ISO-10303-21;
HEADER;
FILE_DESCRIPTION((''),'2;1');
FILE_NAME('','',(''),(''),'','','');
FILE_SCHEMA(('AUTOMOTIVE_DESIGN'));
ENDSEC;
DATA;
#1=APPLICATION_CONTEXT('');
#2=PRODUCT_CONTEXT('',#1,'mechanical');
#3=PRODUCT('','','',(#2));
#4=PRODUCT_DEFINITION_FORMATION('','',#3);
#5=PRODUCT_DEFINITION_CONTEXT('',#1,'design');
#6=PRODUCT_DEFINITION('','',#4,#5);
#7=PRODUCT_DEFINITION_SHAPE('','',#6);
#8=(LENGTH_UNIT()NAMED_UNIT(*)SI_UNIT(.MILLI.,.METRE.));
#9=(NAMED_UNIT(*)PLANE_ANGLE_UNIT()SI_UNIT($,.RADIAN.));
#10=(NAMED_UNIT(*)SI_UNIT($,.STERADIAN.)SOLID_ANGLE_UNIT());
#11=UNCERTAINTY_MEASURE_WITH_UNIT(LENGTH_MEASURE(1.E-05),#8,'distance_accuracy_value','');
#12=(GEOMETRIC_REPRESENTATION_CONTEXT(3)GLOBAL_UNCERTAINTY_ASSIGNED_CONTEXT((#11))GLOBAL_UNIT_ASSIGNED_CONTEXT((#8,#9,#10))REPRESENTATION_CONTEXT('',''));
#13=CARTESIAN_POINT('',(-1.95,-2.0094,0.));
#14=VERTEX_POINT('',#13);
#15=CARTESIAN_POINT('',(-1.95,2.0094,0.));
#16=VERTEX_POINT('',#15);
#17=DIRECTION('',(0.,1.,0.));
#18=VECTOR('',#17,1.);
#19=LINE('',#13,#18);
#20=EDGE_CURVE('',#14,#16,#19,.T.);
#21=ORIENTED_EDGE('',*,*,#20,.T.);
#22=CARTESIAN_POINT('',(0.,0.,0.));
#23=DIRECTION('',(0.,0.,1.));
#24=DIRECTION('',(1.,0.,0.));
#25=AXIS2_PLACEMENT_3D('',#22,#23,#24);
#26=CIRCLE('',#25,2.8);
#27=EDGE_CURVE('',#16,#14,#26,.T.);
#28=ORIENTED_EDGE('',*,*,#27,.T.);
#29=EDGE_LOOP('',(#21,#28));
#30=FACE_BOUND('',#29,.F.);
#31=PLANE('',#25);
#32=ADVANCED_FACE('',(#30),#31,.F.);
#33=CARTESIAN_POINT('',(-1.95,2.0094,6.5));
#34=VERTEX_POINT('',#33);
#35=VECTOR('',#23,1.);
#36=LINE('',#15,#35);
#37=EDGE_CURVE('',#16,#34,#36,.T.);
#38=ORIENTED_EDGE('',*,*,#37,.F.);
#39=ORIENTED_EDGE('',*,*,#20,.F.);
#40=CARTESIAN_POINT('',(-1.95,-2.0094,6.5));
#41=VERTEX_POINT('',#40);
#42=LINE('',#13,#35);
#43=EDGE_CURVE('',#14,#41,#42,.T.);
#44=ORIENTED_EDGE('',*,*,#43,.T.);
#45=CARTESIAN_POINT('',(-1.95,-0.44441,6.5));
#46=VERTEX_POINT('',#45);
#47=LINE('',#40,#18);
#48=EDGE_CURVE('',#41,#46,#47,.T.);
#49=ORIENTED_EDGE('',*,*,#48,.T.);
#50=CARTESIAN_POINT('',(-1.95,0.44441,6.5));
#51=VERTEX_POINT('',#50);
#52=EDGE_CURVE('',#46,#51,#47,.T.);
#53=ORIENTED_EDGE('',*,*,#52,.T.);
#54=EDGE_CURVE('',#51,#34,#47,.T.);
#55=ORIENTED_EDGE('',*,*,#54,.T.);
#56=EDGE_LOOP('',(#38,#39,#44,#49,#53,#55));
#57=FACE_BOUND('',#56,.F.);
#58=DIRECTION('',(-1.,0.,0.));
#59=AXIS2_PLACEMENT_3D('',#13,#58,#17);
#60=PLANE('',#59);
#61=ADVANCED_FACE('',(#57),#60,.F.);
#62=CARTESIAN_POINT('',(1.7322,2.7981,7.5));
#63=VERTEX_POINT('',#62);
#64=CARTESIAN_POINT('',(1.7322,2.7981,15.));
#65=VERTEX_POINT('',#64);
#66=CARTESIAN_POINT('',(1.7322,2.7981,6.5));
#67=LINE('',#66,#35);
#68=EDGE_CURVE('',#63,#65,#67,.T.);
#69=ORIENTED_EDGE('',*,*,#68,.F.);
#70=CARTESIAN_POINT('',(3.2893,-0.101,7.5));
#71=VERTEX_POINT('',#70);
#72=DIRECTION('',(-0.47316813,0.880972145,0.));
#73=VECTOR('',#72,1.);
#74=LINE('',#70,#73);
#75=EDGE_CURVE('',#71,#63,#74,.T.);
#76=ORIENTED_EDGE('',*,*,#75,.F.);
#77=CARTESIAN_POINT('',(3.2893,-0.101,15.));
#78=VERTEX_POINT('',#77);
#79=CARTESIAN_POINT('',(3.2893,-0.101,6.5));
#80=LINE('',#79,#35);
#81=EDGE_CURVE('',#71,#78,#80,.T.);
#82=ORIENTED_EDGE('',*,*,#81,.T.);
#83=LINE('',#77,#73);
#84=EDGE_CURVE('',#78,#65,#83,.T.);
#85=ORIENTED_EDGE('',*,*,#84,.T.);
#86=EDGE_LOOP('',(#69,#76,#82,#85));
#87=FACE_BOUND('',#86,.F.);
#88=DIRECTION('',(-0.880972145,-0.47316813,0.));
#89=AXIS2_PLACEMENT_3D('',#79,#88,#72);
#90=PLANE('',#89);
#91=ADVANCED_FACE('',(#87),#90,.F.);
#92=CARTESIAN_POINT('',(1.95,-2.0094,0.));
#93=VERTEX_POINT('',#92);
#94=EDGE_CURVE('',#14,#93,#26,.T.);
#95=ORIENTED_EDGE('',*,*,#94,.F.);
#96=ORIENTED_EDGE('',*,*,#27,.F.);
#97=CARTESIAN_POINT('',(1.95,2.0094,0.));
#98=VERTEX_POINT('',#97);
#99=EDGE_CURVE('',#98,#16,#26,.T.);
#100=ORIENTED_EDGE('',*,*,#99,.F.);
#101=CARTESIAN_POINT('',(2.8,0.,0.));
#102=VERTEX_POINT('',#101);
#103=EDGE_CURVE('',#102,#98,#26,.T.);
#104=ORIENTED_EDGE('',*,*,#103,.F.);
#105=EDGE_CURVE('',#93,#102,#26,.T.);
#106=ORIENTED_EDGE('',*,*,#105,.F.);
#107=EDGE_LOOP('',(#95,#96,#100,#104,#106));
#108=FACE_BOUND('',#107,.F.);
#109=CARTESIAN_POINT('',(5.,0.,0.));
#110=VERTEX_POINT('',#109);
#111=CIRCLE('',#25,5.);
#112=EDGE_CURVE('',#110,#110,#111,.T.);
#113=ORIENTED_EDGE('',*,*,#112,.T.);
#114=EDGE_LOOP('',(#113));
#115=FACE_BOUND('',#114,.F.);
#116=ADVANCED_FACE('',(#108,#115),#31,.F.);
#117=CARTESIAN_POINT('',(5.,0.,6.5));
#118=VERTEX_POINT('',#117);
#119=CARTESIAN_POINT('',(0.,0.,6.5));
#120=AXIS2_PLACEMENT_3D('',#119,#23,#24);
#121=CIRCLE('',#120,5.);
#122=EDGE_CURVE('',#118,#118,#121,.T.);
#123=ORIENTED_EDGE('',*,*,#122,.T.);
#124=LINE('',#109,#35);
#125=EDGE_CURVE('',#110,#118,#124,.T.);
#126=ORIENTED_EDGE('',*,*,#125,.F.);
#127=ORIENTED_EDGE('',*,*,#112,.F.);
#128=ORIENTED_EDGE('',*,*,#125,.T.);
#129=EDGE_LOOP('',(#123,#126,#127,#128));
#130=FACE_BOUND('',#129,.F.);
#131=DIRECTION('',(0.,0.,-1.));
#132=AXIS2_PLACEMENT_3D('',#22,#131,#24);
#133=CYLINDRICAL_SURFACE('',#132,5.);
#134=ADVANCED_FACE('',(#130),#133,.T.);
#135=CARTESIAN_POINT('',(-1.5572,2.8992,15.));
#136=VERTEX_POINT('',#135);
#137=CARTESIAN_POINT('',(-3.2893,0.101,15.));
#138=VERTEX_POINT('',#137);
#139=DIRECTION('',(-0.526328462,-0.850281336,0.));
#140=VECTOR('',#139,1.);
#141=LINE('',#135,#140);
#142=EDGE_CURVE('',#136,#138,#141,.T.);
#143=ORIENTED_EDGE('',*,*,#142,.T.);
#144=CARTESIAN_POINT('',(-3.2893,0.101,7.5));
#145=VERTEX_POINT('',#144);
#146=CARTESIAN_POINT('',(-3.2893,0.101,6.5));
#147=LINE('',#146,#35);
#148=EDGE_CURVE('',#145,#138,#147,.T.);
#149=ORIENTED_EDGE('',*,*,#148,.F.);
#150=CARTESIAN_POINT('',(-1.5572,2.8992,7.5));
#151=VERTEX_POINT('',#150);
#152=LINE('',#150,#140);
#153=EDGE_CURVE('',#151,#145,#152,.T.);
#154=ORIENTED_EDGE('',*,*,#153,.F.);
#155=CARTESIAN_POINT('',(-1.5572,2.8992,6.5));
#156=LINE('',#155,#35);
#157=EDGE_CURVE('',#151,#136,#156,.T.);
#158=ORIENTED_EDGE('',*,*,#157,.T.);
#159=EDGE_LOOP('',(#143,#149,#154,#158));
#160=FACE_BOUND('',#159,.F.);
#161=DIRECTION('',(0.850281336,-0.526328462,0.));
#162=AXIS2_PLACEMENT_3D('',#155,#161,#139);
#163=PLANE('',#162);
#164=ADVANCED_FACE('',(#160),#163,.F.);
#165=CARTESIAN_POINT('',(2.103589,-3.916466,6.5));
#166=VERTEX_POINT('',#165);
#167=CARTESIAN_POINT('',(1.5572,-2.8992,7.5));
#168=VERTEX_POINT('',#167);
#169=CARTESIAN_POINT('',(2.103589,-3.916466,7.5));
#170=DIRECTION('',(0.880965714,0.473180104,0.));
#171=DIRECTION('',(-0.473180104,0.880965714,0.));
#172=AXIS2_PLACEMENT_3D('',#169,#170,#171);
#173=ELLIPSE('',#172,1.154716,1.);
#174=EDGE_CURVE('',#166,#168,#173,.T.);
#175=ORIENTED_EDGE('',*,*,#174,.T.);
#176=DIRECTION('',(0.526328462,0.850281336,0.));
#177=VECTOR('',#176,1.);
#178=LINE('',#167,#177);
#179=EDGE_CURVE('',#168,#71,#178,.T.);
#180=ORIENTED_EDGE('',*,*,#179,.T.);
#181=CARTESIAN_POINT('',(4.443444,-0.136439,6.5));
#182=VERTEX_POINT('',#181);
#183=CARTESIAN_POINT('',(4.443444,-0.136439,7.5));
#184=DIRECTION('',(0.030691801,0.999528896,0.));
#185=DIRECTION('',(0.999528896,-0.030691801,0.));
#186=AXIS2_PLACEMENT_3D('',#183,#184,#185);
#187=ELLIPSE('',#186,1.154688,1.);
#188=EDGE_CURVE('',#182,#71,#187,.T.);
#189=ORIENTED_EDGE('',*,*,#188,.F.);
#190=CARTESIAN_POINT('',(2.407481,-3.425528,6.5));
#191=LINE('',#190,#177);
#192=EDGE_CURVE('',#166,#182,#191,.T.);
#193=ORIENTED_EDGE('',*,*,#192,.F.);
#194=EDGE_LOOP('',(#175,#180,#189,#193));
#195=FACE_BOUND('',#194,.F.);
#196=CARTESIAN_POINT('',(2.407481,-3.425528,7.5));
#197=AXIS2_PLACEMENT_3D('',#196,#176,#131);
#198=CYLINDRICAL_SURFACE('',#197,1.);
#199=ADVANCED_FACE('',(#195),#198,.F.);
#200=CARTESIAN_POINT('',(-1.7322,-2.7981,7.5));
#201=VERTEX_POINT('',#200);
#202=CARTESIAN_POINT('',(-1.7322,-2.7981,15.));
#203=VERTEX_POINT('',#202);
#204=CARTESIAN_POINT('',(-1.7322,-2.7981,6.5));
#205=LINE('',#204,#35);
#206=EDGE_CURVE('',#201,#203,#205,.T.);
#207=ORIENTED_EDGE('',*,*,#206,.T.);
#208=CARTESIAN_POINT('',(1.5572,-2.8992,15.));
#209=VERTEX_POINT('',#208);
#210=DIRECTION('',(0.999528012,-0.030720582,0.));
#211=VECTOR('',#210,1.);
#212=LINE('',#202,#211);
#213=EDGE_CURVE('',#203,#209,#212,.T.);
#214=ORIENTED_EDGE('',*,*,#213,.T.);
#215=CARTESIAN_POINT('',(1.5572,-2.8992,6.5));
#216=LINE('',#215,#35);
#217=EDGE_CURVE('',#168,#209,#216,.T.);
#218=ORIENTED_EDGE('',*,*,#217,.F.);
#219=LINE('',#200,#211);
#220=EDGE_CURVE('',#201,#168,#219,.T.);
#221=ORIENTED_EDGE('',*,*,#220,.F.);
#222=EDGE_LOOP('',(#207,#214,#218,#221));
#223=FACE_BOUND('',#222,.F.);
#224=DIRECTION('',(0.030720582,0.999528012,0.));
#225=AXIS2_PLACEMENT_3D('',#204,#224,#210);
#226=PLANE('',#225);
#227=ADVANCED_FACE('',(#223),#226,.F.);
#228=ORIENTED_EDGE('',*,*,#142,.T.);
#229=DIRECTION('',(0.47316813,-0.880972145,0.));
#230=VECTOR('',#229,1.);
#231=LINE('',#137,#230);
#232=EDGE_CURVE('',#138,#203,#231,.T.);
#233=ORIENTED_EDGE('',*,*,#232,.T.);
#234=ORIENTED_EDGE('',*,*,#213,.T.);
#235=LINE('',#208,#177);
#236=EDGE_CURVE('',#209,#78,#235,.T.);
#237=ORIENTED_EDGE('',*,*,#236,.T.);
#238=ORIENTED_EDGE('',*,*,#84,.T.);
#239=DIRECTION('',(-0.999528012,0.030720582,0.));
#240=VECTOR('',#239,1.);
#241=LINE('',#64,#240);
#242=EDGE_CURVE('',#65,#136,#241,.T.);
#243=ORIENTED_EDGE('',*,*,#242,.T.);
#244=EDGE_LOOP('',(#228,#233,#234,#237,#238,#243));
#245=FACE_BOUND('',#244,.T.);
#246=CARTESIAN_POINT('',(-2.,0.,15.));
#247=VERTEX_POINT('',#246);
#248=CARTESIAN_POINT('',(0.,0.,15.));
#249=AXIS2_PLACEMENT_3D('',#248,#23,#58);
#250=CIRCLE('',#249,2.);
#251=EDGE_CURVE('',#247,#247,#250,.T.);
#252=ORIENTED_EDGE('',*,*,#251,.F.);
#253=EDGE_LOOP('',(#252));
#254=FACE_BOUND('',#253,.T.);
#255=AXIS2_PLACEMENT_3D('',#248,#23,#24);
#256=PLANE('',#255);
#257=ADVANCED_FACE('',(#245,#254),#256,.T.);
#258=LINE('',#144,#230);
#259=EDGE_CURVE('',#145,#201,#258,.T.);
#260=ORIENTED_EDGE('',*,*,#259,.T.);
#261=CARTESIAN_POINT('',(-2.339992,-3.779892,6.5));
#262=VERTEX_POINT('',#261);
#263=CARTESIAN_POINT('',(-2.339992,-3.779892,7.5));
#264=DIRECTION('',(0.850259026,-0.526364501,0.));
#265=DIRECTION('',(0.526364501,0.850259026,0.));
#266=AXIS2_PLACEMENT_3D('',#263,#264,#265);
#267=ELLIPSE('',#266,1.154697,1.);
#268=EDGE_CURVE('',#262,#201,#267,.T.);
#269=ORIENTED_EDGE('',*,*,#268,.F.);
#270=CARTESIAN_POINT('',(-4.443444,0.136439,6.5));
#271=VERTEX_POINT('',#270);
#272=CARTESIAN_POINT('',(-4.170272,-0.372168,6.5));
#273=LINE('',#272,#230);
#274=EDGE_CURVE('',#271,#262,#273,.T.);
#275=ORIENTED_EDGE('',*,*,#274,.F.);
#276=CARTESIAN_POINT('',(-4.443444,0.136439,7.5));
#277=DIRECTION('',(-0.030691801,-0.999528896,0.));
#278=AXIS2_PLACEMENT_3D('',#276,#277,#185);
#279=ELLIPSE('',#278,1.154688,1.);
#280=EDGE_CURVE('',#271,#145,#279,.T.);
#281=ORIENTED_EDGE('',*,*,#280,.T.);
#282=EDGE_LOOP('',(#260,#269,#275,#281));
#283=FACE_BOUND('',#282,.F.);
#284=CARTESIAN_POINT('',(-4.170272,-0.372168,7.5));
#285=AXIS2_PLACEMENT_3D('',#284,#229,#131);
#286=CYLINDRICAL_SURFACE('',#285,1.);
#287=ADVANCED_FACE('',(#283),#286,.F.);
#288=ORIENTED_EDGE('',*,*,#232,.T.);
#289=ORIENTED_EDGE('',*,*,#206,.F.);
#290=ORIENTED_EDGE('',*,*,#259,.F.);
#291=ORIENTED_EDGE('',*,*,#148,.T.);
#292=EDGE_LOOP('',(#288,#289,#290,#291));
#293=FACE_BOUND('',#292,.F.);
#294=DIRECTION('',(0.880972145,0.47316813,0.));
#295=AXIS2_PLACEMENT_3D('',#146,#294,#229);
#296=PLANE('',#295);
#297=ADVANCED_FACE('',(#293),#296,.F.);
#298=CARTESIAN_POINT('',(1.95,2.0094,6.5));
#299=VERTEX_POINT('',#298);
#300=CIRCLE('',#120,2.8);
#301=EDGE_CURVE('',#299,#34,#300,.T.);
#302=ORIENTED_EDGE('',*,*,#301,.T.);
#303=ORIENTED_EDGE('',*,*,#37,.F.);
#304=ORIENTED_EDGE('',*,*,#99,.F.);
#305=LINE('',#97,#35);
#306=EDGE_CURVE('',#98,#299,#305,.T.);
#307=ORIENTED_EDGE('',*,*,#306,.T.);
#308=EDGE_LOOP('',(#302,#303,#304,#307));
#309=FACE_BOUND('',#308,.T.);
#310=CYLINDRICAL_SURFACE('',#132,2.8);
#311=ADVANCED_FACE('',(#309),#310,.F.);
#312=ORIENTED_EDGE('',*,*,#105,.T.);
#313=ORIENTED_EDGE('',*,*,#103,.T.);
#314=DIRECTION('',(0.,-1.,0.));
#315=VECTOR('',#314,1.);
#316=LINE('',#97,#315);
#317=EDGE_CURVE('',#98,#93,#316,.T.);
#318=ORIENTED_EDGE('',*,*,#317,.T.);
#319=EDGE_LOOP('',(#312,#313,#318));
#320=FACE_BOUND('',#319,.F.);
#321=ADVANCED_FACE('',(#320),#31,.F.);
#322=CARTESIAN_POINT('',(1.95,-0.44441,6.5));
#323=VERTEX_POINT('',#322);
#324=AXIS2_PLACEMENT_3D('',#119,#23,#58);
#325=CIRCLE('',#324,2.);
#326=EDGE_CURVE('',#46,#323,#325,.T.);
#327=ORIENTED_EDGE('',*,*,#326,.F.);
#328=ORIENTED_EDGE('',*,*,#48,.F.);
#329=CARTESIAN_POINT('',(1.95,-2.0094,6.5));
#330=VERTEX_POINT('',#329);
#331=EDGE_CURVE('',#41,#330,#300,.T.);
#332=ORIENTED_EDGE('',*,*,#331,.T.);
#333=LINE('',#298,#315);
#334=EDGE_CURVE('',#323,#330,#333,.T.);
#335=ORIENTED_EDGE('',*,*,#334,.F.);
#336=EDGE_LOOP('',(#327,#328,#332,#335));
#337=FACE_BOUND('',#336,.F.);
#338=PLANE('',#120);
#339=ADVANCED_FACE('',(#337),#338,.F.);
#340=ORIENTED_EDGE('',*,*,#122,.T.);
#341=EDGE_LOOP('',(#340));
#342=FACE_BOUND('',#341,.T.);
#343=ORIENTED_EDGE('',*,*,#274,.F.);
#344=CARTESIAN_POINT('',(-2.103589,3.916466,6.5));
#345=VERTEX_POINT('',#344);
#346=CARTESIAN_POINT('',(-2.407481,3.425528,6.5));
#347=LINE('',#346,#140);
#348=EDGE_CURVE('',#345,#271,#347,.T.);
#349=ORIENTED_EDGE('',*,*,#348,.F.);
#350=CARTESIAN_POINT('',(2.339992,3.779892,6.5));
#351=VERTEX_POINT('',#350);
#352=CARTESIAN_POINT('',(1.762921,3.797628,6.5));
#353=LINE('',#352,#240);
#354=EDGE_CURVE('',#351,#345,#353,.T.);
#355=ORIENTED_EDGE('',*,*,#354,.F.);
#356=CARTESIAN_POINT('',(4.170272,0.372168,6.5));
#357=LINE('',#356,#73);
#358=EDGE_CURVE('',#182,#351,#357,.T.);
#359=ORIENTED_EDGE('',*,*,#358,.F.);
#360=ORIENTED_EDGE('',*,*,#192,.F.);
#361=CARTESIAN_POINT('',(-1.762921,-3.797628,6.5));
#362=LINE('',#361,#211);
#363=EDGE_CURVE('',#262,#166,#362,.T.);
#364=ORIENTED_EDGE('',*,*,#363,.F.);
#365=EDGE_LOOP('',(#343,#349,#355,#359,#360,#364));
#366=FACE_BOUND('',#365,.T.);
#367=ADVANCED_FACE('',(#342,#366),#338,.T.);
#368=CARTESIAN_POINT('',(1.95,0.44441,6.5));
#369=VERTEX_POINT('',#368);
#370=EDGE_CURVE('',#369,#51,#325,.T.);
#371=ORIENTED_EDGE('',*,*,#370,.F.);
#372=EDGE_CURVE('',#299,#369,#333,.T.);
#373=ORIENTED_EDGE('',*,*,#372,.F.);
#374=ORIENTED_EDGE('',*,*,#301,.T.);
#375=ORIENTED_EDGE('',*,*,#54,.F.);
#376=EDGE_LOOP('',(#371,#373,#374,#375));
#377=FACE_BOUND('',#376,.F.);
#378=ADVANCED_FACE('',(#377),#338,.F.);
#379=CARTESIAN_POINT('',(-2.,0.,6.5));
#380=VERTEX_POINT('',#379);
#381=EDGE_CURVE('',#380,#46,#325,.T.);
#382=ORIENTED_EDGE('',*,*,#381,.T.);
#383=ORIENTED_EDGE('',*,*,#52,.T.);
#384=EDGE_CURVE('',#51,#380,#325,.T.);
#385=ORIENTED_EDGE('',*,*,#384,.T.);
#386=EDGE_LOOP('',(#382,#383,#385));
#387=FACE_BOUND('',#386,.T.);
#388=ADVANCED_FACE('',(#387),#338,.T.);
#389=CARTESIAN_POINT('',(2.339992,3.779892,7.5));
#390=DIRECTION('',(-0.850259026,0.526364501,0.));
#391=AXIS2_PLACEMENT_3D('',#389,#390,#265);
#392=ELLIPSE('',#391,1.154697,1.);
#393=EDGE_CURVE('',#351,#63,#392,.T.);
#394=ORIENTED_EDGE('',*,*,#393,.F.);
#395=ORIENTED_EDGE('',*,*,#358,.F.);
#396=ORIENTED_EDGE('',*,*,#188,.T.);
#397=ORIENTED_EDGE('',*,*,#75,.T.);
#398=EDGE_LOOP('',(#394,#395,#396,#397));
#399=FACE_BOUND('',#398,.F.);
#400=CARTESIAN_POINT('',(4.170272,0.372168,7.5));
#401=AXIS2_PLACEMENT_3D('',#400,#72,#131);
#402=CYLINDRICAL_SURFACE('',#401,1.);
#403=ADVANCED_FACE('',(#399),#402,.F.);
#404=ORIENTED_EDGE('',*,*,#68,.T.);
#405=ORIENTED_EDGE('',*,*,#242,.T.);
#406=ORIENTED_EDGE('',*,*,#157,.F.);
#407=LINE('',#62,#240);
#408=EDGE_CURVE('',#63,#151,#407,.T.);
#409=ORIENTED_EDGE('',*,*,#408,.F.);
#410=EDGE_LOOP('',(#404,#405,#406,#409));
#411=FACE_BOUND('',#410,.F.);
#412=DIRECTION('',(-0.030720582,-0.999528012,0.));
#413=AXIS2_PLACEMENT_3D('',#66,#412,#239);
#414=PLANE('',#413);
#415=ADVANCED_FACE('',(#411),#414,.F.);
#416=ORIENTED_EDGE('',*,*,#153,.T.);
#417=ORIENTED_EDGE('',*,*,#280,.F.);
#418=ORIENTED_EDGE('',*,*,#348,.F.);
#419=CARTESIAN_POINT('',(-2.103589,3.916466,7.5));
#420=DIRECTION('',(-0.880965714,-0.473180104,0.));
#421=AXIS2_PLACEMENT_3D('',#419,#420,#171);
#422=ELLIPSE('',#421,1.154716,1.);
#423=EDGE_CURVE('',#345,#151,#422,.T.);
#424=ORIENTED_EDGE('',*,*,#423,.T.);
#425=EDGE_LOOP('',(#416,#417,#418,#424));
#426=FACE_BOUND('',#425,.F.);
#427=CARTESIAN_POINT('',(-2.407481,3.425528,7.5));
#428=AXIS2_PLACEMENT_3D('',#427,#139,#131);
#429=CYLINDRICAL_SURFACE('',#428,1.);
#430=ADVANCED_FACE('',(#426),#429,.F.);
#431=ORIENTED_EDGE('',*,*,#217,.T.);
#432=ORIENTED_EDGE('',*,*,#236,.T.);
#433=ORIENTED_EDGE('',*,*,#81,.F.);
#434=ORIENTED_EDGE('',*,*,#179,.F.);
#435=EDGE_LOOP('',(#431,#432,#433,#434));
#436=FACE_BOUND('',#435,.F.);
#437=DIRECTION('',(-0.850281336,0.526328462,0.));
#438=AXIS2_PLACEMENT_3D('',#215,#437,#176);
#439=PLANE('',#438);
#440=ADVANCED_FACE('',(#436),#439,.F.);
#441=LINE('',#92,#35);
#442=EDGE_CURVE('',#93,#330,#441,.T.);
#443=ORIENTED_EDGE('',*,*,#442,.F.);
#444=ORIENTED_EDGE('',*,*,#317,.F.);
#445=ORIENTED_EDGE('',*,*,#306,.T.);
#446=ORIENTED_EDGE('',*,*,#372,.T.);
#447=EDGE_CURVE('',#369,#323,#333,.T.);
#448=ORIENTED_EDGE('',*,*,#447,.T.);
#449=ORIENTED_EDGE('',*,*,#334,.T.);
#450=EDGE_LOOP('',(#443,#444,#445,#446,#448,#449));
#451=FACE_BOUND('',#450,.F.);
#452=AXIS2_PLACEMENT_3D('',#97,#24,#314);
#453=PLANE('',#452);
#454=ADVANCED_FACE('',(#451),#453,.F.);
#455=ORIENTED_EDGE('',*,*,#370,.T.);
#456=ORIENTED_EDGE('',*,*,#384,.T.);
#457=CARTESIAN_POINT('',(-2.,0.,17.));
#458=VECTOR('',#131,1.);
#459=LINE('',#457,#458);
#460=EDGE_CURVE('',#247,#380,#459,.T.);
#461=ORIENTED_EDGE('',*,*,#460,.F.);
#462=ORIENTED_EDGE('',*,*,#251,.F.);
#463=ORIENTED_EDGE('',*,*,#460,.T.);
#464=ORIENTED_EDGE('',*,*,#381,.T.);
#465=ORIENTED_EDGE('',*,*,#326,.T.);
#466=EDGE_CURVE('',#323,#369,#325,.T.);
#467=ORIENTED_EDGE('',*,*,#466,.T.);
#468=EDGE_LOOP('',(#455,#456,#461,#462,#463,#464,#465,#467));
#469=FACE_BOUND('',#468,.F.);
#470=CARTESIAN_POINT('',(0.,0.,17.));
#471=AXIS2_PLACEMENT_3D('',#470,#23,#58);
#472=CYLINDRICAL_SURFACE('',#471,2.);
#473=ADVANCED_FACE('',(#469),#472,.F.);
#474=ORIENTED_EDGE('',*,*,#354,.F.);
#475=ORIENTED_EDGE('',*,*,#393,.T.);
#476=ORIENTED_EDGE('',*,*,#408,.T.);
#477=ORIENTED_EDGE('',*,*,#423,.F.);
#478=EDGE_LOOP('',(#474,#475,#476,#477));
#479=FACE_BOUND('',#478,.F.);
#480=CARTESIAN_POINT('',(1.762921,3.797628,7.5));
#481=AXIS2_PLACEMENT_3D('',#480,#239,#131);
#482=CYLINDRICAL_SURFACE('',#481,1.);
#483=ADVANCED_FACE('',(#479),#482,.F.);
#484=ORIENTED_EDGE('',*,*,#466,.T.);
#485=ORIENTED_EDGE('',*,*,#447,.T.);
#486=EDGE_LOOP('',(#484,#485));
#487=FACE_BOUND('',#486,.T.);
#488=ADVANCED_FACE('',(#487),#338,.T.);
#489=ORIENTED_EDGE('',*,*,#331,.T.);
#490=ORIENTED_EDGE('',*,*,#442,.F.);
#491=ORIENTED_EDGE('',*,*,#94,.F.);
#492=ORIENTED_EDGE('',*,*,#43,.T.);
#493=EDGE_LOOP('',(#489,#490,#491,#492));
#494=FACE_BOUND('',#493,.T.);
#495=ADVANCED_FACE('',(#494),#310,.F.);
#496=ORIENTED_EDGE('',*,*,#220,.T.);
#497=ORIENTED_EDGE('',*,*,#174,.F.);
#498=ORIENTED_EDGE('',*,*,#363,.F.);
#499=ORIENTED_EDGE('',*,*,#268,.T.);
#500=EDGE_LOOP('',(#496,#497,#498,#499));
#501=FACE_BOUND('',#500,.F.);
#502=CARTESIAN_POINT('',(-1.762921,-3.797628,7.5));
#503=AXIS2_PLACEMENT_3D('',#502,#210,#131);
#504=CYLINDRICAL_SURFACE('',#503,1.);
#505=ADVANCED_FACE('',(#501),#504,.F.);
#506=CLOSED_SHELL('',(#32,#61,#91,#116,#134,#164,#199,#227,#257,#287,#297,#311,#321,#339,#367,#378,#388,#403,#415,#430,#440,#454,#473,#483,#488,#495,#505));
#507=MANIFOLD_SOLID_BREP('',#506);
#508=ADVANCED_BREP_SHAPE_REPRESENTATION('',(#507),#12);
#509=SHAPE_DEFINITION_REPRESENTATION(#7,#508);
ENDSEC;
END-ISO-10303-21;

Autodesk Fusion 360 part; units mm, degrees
sketch "Skizze1" plane through (0, 0, 0) normal (0, 0, 1) x (1, 0, 0)
  circle A0 centre (0, 0) radius 2.8
  circle A1 centre (0, 0) radius 5
  line L0 (1.95, -2.0094) -> (-1.95, -2.0094)
  line L1 (-1.95, -2.0094) -> (-1.95, 2.0094)
  line L2 (-1.95, 2.0094) -> (1.95, 2.0094)
  line L3 (1.95, 2.0094) -> (1.95, -2.0094)
  line L4 (1.95, -2.0094) -> (-1.95, 2.0094) construction
  line L5 (-1.95, -2.0094) -> (1.95, 2.0094) construction
  dimension "d1" = 5.6
  dimension "d2" = 10
  dimension "d3" = 3.9
extrude "Extrusion1" add sketch "Skizze1" along normal blind 6.5 contours A0 L3 | A0 L1 | A1 makes body 1
ref_plane "Arbeitsebene1" through (0, 0, 6.5) normal (0, 0, 1) x (1, 0, 0)
sketch "Skizze2" plane through (0, 0, 6.5) normal (0, 0, 1) x (1, 0, 0)
  line L0 (-3.2893, 0.101) -> (-1.7322, -2.7981)
  line L1 (-1.7322, -2.7981) -> (1.5572, -2.8992)
  line L2 (1.5572, -2.8992) -> (3.2893, -0.101)
  line L3 (3.2893, -0.101) -> (1.7322, 2.7981)
  line L4 (1.7322, 2.7981) -> (-1.5572, 2.8992)
  line L5 (-1.5572, 2.8992) -> (-3.2893, 0.101)
  dimension "d7" = 2.85
extrude "Extrusion2" add sketch "Skizze2" along normal blind 10.5 separate body makes body 2
sketch "Skizze3" plane through (0, 0, 17) normal (0, 0, 1) x (-1, 0, 0)
  line L0 (1.5572, -2.8992) -> (3.2893, -0.101)
  line L1 (3.2893, -0.101) -> (1.7322, 2.7981)
  line L2 (1.7322, 2.7981) -> (-1.5572, 2.8992)
  line L3 (-1.5572, 2.8992) -> (-3.2893, 0.101)
  line L4 (-3.2893, 0.101) -> (-1.7322, -2.7981)
  line L5 (-1.7322, -2.7981) -> (1.5572, -2.8992)
  circle A0 centre (0, 0) radius 2
  dimension "d10" = 4
extrude "Extrusion3" cut sketch "Skizze3" against normal blind 10.5 contours A0 bodies 2
combine "Kombinieren1" operation add target body 1 tool bodies 2
fillet "Abrundung1" radius 1 6 edges at (2.4233, -1.5001, 6.5) (2.5108, 1.3485, 6.5) (0.0875, 2.8487, 6.5) (-0.0875, -2.8487, 6.5) (-2.5108, -1.3485, 6.5) (-2.4233, 1.5001, 6.5) on bodies 1
extrude "Extrusion4" cut 1 faces at (-0.1082, -2.5639, 17) along direction (0, 0, -1) blind 2 on bodies 1 bodies 1
equation "d7 = ( 5.7 / 2 ) * 1 mm"
